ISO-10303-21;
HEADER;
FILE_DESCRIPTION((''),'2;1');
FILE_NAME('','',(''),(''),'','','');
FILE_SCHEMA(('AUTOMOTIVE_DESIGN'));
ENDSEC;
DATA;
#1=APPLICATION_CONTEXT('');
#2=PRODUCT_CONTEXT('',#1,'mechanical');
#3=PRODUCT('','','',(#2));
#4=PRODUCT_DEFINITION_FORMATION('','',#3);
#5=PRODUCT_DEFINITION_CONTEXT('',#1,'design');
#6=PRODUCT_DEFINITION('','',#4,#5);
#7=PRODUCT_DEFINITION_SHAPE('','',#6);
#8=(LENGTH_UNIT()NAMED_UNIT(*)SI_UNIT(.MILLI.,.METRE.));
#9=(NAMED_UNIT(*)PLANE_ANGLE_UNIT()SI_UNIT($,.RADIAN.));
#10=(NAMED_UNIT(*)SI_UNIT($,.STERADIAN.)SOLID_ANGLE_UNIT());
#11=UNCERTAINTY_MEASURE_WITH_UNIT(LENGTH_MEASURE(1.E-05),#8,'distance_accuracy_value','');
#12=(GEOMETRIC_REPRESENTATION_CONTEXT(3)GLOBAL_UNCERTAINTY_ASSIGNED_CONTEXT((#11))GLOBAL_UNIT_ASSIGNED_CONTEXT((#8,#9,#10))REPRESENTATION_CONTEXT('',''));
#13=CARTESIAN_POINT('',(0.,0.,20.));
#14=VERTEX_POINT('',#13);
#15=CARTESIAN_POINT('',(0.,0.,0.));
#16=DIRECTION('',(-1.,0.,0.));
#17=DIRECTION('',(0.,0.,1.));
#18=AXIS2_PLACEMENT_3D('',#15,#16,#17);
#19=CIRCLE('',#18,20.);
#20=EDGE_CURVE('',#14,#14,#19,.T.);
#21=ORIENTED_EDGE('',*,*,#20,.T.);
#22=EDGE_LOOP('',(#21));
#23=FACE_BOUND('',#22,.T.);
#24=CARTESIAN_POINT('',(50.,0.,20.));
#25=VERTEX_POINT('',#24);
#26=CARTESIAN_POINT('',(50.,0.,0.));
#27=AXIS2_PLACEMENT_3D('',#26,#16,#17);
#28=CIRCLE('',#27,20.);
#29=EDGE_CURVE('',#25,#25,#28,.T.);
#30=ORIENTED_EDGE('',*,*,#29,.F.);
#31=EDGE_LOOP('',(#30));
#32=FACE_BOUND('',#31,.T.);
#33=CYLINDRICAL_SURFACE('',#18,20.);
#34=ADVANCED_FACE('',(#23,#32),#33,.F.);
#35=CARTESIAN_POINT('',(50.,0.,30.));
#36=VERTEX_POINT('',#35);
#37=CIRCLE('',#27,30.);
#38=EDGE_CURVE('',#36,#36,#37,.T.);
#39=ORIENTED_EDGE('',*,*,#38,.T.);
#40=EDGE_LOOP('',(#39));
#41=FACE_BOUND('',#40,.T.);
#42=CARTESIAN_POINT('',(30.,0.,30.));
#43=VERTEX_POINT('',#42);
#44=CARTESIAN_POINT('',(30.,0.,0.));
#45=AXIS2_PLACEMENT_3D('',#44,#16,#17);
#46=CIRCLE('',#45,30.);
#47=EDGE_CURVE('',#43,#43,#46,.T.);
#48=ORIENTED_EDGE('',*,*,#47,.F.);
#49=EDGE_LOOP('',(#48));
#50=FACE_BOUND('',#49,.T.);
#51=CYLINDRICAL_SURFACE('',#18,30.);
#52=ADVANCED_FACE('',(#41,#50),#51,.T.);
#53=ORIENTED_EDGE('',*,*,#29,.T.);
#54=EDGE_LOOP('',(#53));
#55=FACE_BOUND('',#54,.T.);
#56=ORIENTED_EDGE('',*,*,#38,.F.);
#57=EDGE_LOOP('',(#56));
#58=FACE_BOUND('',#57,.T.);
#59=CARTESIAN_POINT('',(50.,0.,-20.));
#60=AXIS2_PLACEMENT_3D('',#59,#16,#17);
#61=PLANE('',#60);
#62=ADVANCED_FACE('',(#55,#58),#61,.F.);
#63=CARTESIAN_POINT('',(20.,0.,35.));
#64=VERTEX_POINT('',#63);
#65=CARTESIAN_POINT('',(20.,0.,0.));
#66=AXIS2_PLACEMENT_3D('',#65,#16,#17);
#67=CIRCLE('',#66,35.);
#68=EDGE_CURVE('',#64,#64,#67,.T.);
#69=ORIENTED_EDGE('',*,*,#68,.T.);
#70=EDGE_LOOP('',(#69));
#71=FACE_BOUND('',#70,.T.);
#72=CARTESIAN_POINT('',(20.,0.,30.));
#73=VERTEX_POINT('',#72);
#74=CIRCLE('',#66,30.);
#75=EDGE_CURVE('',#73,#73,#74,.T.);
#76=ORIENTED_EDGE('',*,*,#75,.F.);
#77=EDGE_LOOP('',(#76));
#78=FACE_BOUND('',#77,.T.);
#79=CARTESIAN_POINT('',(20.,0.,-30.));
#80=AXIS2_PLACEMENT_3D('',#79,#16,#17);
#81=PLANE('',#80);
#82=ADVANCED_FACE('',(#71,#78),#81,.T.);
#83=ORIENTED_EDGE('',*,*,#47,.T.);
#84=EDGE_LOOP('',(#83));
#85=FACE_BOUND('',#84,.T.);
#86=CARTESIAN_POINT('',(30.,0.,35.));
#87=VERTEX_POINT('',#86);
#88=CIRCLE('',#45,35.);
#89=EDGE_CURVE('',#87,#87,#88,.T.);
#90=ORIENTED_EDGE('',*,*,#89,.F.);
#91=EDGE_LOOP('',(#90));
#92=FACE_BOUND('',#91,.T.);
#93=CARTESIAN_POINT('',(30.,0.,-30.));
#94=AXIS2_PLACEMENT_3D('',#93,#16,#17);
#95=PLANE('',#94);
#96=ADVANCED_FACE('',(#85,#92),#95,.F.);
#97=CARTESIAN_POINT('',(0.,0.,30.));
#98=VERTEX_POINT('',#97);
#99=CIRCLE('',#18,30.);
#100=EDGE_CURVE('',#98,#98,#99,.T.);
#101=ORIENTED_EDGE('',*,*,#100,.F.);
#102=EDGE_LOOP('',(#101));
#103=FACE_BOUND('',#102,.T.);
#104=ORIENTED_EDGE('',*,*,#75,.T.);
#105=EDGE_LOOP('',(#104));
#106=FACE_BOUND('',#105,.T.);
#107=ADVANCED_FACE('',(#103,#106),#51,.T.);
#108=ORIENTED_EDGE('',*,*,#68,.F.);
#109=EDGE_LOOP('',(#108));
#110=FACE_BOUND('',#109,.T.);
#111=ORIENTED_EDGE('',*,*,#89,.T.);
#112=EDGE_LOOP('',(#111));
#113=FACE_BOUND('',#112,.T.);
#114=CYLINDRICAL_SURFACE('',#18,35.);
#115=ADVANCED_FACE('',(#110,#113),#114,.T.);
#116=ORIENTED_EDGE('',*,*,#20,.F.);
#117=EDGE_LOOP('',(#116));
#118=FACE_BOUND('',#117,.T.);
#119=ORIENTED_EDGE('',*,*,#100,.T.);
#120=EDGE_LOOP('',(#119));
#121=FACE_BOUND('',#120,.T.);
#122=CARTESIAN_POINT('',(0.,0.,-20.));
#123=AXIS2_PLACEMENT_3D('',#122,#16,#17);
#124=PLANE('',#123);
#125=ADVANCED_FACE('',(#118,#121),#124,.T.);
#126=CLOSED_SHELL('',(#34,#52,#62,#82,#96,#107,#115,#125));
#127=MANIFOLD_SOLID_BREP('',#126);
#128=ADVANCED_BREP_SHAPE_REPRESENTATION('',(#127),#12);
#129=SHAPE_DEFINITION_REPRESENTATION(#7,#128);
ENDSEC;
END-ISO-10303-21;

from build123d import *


with BuildPart() as part:
    # Sketch2 → Revolve1 (revolve)
    with BuildSketch(Plane(origin=(0, 0, 0), x_dir=(1, 0, 0), z_dir=(0, 1, 0)), mode=Mode.PRIVATE) as revolve1_sk:
        Polygon((30, 30), (50, 30), (50, 20), (0, 20), (0, 30), (20, 30), (20, 35), (30, 35), align=None)
    revolve(revolve1_sk.sketch.rotate(Axis((0, 0, 0), (1, 0, 0)), 180), axis=Axis((0, 0, 0), (1, 0, 0)))


solid = part.part
